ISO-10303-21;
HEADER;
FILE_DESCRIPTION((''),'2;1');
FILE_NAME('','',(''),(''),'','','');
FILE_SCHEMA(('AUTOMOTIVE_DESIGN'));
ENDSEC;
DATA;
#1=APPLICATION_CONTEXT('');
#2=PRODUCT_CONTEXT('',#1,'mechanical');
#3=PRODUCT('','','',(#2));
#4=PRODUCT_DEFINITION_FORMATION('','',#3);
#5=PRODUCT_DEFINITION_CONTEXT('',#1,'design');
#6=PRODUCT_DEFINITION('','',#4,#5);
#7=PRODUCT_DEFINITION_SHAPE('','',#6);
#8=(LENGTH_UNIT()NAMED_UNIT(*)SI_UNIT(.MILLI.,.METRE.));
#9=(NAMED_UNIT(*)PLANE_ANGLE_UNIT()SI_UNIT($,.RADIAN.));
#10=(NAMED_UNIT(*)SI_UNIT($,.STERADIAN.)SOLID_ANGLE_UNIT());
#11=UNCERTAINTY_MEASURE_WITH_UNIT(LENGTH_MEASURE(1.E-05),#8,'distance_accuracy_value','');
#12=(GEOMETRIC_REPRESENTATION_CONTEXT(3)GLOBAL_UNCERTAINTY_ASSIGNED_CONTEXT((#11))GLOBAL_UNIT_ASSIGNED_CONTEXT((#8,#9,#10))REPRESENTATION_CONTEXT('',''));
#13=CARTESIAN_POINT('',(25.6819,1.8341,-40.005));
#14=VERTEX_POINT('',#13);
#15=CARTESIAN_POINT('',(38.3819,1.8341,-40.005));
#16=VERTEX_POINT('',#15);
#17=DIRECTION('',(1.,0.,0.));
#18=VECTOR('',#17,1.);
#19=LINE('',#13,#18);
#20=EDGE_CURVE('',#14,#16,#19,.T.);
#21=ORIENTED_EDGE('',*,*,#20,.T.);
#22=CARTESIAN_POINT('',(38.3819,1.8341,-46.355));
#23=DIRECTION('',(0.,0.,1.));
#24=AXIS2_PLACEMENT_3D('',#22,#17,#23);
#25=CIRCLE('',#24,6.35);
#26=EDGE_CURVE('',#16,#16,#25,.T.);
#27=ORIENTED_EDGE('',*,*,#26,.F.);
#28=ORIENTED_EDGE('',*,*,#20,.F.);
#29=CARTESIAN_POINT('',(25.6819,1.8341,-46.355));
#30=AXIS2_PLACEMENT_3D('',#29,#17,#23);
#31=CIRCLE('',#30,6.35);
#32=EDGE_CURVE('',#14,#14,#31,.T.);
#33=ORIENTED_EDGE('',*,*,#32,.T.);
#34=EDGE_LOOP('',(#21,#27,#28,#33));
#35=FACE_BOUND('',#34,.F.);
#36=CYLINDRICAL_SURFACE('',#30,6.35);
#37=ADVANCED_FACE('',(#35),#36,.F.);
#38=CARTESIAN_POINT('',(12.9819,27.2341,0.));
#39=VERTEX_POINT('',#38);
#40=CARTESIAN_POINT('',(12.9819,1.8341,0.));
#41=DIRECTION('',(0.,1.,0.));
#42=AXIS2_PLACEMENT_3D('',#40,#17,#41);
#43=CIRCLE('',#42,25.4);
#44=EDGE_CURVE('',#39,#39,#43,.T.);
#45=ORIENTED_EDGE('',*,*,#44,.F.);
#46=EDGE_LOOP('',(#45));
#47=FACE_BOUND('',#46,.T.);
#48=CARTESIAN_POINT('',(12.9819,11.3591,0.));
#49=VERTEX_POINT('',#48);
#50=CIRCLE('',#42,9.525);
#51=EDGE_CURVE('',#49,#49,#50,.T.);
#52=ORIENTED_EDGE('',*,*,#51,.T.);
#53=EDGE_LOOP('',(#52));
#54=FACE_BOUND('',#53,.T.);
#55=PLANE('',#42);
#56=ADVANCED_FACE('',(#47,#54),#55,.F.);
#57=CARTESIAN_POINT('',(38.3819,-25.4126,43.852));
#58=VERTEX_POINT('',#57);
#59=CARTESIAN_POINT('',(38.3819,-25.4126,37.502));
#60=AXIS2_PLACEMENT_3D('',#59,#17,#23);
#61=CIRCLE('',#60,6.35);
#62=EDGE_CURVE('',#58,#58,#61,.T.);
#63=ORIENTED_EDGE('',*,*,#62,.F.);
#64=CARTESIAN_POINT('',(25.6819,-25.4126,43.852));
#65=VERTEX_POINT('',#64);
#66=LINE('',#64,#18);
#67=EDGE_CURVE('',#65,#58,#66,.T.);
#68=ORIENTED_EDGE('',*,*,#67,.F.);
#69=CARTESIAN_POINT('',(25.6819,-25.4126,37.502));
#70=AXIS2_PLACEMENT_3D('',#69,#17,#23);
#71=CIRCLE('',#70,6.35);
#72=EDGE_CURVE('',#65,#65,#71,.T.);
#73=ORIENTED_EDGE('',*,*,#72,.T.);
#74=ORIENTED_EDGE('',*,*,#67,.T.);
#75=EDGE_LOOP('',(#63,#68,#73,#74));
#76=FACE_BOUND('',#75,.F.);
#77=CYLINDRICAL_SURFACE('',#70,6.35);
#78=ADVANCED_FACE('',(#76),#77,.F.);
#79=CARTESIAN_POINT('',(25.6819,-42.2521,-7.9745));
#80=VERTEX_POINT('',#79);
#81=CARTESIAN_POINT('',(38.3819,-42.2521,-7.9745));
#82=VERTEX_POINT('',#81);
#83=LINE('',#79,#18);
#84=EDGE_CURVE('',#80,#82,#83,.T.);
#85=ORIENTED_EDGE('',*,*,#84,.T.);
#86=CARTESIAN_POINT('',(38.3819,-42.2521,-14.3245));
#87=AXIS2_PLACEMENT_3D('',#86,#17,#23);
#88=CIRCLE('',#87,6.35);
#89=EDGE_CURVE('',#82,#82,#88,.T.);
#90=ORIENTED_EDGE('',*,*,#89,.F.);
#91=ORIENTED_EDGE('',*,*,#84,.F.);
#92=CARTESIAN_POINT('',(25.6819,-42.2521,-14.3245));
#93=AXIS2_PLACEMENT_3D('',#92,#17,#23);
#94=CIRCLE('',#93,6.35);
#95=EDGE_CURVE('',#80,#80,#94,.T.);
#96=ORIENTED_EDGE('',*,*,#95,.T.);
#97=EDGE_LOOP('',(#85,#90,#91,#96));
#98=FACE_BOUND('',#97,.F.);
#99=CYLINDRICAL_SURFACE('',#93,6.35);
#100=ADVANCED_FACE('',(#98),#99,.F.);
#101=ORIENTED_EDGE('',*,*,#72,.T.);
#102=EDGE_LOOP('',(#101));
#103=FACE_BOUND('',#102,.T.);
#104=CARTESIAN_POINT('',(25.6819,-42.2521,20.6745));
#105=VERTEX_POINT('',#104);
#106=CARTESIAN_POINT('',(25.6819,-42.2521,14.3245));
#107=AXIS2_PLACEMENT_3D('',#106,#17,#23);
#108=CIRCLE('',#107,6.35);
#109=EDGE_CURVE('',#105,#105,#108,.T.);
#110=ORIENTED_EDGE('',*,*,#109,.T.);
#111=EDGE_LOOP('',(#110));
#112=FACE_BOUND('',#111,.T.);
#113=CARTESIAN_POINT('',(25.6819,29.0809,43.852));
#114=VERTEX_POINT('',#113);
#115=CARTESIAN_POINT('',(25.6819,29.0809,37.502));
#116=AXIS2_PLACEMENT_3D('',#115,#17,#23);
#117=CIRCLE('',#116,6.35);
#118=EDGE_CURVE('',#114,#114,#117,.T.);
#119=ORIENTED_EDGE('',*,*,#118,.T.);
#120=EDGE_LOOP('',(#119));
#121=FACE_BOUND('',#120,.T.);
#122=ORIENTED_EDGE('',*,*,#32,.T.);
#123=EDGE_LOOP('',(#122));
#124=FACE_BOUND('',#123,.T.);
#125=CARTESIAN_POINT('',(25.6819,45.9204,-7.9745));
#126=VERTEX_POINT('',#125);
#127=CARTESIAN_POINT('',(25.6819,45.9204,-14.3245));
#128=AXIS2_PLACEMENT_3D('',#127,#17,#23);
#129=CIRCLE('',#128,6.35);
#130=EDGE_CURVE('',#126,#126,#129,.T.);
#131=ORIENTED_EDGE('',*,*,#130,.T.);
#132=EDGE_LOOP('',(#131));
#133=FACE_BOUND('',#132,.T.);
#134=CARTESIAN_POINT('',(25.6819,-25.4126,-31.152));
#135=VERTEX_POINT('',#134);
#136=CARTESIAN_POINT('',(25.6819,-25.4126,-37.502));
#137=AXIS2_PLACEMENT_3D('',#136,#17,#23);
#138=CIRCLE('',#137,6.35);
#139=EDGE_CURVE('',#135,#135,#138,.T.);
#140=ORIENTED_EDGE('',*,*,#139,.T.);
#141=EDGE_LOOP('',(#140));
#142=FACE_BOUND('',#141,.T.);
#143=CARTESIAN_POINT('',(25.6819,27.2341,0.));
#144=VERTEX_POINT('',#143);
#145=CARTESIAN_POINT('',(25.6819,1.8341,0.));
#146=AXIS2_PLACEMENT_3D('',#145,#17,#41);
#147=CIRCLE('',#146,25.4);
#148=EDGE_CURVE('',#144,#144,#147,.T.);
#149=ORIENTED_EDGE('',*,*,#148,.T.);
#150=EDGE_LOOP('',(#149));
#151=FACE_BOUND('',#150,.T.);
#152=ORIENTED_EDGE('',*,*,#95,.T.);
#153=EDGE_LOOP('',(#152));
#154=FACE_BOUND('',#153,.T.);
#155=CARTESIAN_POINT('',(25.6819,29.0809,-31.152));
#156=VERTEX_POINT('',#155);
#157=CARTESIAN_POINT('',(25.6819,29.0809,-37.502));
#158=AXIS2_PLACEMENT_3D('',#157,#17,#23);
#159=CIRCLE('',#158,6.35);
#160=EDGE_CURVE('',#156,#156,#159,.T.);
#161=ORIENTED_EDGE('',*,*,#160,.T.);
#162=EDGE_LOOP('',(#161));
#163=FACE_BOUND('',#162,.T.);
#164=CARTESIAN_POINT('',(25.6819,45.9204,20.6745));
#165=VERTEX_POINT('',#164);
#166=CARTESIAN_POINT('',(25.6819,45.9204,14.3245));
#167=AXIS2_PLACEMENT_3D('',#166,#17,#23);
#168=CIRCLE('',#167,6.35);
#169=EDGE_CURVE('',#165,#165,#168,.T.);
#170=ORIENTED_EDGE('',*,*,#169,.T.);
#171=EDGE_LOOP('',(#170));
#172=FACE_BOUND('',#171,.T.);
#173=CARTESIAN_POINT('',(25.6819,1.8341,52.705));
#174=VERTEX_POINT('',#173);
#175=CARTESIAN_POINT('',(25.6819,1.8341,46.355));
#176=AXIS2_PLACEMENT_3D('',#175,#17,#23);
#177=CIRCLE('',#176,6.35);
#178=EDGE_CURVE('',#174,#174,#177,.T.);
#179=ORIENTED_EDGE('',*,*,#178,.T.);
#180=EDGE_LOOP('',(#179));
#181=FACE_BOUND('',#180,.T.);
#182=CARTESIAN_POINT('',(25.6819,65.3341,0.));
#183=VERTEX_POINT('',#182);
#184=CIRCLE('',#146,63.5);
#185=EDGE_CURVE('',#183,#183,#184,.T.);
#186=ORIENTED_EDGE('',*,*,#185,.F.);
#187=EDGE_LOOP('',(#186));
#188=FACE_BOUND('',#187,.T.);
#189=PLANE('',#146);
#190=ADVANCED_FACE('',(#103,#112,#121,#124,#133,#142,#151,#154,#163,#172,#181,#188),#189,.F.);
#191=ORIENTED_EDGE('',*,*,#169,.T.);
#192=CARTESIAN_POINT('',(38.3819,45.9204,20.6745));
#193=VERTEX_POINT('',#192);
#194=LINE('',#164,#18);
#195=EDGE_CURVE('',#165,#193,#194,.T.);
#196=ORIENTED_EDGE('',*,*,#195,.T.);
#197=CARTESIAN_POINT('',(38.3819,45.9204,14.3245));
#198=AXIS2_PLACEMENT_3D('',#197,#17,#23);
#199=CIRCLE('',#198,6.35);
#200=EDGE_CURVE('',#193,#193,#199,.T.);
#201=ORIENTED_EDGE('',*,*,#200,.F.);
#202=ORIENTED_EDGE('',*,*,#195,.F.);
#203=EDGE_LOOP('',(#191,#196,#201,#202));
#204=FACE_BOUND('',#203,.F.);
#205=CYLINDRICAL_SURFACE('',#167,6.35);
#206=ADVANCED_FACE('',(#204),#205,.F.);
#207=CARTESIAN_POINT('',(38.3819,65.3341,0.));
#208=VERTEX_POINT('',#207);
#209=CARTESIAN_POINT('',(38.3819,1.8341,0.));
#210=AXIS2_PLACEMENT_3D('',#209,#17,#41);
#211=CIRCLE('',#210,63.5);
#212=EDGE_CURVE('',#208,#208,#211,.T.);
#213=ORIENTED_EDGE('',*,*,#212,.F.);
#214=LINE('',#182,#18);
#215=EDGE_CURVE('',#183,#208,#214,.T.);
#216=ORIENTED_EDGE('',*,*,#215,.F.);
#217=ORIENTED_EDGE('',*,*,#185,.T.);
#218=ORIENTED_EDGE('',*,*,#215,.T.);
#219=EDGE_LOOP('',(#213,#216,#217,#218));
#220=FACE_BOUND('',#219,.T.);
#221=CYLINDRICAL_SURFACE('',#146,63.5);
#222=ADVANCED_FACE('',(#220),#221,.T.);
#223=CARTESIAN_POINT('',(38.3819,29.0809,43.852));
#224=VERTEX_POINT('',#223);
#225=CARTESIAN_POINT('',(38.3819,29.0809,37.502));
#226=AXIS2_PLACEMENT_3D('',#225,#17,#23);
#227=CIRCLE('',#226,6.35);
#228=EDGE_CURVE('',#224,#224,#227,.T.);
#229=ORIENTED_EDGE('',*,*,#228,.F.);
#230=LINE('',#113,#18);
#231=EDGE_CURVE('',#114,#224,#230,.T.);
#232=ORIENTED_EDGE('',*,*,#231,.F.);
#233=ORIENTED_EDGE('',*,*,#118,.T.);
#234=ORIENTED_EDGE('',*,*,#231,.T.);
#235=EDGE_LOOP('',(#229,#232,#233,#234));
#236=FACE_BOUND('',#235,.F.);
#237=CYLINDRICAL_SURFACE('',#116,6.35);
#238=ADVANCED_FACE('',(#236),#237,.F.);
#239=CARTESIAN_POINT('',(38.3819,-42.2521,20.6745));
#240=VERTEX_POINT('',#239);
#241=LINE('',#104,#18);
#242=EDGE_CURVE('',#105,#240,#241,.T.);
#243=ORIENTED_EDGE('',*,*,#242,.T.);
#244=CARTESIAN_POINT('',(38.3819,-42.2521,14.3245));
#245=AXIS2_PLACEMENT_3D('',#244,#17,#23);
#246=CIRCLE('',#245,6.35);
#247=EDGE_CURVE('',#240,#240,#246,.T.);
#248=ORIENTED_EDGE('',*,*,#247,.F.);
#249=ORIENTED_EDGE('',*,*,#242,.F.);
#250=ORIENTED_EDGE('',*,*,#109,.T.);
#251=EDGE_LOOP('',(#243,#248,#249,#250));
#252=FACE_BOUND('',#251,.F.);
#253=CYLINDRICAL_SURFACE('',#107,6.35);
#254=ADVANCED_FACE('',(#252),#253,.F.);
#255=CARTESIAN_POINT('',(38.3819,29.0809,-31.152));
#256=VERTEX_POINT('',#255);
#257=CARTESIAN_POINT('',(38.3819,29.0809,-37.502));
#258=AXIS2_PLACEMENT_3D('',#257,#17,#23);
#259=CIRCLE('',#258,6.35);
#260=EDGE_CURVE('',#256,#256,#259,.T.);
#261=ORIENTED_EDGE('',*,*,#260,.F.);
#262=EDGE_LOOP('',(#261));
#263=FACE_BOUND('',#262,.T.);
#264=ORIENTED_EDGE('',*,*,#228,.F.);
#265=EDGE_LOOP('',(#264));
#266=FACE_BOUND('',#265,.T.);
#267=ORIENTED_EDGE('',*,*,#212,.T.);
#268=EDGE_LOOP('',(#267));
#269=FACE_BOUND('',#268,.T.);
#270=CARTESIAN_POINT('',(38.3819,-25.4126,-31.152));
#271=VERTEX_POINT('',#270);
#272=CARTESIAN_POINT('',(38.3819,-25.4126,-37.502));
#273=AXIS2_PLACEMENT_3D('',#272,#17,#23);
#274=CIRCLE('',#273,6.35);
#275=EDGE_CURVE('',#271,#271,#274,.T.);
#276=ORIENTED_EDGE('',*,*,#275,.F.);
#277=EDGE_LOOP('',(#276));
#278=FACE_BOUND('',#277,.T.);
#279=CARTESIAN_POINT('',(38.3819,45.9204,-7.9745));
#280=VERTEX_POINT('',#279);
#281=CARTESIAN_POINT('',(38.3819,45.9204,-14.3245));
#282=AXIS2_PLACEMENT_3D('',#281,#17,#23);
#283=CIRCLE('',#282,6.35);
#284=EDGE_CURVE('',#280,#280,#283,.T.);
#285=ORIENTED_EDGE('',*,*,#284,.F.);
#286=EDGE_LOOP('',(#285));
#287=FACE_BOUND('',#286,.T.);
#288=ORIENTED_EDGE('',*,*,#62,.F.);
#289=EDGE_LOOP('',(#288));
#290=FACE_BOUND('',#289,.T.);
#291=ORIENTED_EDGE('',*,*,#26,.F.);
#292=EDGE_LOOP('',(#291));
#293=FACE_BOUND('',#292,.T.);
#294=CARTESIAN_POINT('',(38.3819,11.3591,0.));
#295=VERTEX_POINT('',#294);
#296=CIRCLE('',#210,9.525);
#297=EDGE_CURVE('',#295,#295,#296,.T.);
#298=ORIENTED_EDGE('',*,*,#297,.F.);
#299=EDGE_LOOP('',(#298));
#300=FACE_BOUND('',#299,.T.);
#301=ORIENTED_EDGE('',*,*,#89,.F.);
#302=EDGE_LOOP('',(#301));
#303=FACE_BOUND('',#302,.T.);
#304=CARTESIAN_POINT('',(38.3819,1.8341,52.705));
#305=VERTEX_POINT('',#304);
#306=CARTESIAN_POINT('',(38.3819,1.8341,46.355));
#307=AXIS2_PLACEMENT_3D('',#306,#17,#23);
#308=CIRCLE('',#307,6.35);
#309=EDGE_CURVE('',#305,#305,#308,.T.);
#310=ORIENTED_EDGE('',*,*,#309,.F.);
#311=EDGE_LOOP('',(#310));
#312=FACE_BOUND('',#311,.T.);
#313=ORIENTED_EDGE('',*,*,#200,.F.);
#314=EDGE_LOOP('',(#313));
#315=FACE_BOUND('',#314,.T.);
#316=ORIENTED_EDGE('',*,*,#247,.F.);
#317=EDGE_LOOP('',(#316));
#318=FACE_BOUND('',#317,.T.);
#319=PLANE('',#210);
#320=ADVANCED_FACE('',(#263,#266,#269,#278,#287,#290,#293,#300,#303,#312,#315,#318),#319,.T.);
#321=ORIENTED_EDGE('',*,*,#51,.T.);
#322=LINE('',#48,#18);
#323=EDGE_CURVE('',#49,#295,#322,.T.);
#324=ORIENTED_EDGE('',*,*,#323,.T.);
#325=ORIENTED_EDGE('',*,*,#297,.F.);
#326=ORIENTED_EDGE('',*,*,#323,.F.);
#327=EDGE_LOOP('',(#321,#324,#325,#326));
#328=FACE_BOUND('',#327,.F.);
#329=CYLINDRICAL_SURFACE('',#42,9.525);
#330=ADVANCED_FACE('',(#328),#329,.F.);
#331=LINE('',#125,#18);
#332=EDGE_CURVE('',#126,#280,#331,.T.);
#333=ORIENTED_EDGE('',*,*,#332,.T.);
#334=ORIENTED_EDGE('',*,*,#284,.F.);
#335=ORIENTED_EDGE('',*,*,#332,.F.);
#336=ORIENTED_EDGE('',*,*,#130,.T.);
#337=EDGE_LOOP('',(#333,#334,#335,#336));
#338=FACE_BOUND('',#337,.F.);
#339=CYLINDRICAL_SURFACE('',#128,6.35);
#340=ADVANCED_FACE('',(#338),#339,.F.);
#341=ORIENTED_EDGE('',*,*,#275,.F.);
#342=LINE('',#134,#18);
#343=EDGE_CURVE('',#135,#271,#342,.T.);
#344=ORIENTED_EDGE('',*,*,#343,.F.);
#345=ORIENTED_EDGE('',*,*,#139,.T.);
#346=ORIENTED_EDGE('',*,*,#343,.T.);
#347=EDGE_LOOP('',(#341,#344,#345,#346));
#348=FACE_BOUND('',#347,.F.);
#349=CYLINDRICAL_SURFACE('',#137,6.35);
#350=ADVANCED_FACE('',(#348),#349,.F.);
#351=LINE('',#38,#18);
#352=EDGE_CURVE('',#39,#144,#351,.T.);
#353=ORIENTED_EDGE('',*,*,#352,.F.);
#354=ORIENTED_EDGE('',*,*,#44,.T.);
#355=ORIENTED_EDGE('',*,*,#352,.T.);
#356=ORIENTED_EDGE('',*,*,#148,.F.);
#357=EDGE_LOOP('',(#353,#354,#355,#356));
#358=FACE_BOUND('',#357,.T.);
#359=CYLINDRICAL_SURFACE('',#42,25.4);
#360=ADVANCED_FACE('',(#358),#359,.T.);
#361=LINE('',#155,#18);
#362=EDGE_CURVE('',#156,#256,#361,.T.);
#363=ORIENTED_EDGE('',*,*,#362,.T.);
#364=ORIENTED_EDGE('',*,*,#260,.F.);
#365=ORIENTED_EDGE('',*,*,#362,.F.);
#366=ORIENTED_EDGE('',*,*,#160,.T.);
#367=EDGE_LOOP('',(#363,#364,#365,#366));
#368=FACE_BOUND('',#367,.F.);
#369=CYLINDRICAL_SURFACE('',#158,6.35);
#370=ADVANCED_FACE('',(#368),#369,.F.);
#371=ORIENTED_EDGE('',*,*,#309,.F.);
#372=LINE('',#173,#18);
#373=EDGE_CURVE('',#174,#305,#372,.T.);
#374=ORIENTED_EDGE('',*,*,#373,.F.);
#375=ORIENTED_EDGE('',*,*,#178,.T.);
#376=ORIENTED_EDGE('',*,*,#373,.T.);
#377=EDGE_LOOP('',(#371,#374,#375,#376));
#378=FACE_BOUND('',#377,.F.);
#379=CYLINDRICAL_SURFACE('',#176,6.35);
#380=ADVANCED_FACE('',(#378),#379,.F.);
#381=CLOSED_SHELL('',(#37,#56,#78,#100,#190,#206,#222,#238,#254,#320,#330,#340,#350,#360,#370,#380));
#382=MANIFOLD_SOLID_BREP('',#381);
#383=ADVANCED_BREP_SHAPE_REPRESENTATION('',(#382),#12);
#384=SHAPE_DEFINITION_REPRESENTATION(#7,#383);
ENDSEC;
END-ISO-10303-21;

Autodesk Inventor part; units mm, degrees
ref_plane "YZ Plane" through (0, 0, 0) normal (1, 0, 0) x (0, 1, 0)
ref_plane "XZ Plane" through (0, 0, 0) normal (0, 1, 0) x (-1, 0, 0)
ref_plane "XY Plane" through (0, 0, 0) normal (0, 0, 1) x (1, 0, 0)
sketch "Sketch1" plane through (0, 0, 0) normal (0, 0, 1) x (1, 0, 0)
  line L0 (12.9819, 11.3591) -> (38.3819, 11.3591)
  line L1 (6.6182, 1.8341) -> (45.5002, 1.8341) construction
  line L2 (12.9819, 11.3591) -> (12.9819, 27.2341)
  line L3 (12.9819, 27.2341) -> (25.6819, 27.2341)
  line L4 (25.6819, 27.2341) -> (25.6819, 65.3341)
  line L5 (25.6819, 65.3341) -> (38.3819, 65.3341)
  line L6 (38.3819, 65.3341) -> (38.3819, 11.3591)
  point P0 (0, 0)
  dimension "d0" = 25.4
  dimension "d1" = 9.525
  dimension "d2" = 15.875
  dimension "d3" = 12.7
  dimension "d4" = 38.1
revolve "Revolution2" add sketch "Sketch1" angle 360 about axis through (6.6182, 1.8341, 0) along (1, 0, 0)
sketch "Sketch7" plane through (25.6819, 1.8341, 0) normal (-1, 0, 0) x (0, 0, 1)
  circle A0 centre (0, 0) radius 46.355 construction
  circle A1 centre (0, 0) radius 46.355 construction
  circle A2 centre (0, 0) radius 46.355 construction
  circle A3 centre (0, 0) radius 46.355 construction
  circle A4 centre (0, 0) radius 46.355 construction
  circle A5 centre (0, 0) radius 46.355 construction
  circle A6 centre (0, 0) radius 46.355 construction
  circle A7 centre (0, 0) radius 46.355 construction
  circle A8 centre (0, 0) radius 46.355 construction
  circle A9 centre (0, 0) radius 46.355 construction
  point P0 (0, -1.8341)
  point P1 (-46.355, 0)
  point P2 (-37.502, -27.2468)
  point P3 (-14.3245, -44.0862)
  point P4 (14.3245, -44.0862)
  point P5 (37.502, -27.2468)
  point P6 (46.355, 0)
  point P7 (37.502, 27.2468)
  point P8 (14.3245, 44.0862)
  point P9 (-14.3245, 44.0862)
  point P10 (-37.502, 27.2468)
  dimension "d14" = 92.71
  dimension "d17" = 360
hole "Hole2" at (25.6819, 1.8341, -46.355) at (25.6819, -25.4126, -37.502) at (25.6819, -42.2521, -14.3245) at (25.6819, -42.2521, 14.3245) at (25.6819, -25.4126, 37.502) at (25.6819, 1.8341, 46.355) at (25.6819, 29.0809, 37.502) at (25.6819, 45.9204, 14.3245) at (25.6819, 45.9204, -14.3245) at (25.6819, 29.0809, -37.502) direction (1, 0, 0) diameter 12.7 end through all
properties part number "WheelcapTL"
